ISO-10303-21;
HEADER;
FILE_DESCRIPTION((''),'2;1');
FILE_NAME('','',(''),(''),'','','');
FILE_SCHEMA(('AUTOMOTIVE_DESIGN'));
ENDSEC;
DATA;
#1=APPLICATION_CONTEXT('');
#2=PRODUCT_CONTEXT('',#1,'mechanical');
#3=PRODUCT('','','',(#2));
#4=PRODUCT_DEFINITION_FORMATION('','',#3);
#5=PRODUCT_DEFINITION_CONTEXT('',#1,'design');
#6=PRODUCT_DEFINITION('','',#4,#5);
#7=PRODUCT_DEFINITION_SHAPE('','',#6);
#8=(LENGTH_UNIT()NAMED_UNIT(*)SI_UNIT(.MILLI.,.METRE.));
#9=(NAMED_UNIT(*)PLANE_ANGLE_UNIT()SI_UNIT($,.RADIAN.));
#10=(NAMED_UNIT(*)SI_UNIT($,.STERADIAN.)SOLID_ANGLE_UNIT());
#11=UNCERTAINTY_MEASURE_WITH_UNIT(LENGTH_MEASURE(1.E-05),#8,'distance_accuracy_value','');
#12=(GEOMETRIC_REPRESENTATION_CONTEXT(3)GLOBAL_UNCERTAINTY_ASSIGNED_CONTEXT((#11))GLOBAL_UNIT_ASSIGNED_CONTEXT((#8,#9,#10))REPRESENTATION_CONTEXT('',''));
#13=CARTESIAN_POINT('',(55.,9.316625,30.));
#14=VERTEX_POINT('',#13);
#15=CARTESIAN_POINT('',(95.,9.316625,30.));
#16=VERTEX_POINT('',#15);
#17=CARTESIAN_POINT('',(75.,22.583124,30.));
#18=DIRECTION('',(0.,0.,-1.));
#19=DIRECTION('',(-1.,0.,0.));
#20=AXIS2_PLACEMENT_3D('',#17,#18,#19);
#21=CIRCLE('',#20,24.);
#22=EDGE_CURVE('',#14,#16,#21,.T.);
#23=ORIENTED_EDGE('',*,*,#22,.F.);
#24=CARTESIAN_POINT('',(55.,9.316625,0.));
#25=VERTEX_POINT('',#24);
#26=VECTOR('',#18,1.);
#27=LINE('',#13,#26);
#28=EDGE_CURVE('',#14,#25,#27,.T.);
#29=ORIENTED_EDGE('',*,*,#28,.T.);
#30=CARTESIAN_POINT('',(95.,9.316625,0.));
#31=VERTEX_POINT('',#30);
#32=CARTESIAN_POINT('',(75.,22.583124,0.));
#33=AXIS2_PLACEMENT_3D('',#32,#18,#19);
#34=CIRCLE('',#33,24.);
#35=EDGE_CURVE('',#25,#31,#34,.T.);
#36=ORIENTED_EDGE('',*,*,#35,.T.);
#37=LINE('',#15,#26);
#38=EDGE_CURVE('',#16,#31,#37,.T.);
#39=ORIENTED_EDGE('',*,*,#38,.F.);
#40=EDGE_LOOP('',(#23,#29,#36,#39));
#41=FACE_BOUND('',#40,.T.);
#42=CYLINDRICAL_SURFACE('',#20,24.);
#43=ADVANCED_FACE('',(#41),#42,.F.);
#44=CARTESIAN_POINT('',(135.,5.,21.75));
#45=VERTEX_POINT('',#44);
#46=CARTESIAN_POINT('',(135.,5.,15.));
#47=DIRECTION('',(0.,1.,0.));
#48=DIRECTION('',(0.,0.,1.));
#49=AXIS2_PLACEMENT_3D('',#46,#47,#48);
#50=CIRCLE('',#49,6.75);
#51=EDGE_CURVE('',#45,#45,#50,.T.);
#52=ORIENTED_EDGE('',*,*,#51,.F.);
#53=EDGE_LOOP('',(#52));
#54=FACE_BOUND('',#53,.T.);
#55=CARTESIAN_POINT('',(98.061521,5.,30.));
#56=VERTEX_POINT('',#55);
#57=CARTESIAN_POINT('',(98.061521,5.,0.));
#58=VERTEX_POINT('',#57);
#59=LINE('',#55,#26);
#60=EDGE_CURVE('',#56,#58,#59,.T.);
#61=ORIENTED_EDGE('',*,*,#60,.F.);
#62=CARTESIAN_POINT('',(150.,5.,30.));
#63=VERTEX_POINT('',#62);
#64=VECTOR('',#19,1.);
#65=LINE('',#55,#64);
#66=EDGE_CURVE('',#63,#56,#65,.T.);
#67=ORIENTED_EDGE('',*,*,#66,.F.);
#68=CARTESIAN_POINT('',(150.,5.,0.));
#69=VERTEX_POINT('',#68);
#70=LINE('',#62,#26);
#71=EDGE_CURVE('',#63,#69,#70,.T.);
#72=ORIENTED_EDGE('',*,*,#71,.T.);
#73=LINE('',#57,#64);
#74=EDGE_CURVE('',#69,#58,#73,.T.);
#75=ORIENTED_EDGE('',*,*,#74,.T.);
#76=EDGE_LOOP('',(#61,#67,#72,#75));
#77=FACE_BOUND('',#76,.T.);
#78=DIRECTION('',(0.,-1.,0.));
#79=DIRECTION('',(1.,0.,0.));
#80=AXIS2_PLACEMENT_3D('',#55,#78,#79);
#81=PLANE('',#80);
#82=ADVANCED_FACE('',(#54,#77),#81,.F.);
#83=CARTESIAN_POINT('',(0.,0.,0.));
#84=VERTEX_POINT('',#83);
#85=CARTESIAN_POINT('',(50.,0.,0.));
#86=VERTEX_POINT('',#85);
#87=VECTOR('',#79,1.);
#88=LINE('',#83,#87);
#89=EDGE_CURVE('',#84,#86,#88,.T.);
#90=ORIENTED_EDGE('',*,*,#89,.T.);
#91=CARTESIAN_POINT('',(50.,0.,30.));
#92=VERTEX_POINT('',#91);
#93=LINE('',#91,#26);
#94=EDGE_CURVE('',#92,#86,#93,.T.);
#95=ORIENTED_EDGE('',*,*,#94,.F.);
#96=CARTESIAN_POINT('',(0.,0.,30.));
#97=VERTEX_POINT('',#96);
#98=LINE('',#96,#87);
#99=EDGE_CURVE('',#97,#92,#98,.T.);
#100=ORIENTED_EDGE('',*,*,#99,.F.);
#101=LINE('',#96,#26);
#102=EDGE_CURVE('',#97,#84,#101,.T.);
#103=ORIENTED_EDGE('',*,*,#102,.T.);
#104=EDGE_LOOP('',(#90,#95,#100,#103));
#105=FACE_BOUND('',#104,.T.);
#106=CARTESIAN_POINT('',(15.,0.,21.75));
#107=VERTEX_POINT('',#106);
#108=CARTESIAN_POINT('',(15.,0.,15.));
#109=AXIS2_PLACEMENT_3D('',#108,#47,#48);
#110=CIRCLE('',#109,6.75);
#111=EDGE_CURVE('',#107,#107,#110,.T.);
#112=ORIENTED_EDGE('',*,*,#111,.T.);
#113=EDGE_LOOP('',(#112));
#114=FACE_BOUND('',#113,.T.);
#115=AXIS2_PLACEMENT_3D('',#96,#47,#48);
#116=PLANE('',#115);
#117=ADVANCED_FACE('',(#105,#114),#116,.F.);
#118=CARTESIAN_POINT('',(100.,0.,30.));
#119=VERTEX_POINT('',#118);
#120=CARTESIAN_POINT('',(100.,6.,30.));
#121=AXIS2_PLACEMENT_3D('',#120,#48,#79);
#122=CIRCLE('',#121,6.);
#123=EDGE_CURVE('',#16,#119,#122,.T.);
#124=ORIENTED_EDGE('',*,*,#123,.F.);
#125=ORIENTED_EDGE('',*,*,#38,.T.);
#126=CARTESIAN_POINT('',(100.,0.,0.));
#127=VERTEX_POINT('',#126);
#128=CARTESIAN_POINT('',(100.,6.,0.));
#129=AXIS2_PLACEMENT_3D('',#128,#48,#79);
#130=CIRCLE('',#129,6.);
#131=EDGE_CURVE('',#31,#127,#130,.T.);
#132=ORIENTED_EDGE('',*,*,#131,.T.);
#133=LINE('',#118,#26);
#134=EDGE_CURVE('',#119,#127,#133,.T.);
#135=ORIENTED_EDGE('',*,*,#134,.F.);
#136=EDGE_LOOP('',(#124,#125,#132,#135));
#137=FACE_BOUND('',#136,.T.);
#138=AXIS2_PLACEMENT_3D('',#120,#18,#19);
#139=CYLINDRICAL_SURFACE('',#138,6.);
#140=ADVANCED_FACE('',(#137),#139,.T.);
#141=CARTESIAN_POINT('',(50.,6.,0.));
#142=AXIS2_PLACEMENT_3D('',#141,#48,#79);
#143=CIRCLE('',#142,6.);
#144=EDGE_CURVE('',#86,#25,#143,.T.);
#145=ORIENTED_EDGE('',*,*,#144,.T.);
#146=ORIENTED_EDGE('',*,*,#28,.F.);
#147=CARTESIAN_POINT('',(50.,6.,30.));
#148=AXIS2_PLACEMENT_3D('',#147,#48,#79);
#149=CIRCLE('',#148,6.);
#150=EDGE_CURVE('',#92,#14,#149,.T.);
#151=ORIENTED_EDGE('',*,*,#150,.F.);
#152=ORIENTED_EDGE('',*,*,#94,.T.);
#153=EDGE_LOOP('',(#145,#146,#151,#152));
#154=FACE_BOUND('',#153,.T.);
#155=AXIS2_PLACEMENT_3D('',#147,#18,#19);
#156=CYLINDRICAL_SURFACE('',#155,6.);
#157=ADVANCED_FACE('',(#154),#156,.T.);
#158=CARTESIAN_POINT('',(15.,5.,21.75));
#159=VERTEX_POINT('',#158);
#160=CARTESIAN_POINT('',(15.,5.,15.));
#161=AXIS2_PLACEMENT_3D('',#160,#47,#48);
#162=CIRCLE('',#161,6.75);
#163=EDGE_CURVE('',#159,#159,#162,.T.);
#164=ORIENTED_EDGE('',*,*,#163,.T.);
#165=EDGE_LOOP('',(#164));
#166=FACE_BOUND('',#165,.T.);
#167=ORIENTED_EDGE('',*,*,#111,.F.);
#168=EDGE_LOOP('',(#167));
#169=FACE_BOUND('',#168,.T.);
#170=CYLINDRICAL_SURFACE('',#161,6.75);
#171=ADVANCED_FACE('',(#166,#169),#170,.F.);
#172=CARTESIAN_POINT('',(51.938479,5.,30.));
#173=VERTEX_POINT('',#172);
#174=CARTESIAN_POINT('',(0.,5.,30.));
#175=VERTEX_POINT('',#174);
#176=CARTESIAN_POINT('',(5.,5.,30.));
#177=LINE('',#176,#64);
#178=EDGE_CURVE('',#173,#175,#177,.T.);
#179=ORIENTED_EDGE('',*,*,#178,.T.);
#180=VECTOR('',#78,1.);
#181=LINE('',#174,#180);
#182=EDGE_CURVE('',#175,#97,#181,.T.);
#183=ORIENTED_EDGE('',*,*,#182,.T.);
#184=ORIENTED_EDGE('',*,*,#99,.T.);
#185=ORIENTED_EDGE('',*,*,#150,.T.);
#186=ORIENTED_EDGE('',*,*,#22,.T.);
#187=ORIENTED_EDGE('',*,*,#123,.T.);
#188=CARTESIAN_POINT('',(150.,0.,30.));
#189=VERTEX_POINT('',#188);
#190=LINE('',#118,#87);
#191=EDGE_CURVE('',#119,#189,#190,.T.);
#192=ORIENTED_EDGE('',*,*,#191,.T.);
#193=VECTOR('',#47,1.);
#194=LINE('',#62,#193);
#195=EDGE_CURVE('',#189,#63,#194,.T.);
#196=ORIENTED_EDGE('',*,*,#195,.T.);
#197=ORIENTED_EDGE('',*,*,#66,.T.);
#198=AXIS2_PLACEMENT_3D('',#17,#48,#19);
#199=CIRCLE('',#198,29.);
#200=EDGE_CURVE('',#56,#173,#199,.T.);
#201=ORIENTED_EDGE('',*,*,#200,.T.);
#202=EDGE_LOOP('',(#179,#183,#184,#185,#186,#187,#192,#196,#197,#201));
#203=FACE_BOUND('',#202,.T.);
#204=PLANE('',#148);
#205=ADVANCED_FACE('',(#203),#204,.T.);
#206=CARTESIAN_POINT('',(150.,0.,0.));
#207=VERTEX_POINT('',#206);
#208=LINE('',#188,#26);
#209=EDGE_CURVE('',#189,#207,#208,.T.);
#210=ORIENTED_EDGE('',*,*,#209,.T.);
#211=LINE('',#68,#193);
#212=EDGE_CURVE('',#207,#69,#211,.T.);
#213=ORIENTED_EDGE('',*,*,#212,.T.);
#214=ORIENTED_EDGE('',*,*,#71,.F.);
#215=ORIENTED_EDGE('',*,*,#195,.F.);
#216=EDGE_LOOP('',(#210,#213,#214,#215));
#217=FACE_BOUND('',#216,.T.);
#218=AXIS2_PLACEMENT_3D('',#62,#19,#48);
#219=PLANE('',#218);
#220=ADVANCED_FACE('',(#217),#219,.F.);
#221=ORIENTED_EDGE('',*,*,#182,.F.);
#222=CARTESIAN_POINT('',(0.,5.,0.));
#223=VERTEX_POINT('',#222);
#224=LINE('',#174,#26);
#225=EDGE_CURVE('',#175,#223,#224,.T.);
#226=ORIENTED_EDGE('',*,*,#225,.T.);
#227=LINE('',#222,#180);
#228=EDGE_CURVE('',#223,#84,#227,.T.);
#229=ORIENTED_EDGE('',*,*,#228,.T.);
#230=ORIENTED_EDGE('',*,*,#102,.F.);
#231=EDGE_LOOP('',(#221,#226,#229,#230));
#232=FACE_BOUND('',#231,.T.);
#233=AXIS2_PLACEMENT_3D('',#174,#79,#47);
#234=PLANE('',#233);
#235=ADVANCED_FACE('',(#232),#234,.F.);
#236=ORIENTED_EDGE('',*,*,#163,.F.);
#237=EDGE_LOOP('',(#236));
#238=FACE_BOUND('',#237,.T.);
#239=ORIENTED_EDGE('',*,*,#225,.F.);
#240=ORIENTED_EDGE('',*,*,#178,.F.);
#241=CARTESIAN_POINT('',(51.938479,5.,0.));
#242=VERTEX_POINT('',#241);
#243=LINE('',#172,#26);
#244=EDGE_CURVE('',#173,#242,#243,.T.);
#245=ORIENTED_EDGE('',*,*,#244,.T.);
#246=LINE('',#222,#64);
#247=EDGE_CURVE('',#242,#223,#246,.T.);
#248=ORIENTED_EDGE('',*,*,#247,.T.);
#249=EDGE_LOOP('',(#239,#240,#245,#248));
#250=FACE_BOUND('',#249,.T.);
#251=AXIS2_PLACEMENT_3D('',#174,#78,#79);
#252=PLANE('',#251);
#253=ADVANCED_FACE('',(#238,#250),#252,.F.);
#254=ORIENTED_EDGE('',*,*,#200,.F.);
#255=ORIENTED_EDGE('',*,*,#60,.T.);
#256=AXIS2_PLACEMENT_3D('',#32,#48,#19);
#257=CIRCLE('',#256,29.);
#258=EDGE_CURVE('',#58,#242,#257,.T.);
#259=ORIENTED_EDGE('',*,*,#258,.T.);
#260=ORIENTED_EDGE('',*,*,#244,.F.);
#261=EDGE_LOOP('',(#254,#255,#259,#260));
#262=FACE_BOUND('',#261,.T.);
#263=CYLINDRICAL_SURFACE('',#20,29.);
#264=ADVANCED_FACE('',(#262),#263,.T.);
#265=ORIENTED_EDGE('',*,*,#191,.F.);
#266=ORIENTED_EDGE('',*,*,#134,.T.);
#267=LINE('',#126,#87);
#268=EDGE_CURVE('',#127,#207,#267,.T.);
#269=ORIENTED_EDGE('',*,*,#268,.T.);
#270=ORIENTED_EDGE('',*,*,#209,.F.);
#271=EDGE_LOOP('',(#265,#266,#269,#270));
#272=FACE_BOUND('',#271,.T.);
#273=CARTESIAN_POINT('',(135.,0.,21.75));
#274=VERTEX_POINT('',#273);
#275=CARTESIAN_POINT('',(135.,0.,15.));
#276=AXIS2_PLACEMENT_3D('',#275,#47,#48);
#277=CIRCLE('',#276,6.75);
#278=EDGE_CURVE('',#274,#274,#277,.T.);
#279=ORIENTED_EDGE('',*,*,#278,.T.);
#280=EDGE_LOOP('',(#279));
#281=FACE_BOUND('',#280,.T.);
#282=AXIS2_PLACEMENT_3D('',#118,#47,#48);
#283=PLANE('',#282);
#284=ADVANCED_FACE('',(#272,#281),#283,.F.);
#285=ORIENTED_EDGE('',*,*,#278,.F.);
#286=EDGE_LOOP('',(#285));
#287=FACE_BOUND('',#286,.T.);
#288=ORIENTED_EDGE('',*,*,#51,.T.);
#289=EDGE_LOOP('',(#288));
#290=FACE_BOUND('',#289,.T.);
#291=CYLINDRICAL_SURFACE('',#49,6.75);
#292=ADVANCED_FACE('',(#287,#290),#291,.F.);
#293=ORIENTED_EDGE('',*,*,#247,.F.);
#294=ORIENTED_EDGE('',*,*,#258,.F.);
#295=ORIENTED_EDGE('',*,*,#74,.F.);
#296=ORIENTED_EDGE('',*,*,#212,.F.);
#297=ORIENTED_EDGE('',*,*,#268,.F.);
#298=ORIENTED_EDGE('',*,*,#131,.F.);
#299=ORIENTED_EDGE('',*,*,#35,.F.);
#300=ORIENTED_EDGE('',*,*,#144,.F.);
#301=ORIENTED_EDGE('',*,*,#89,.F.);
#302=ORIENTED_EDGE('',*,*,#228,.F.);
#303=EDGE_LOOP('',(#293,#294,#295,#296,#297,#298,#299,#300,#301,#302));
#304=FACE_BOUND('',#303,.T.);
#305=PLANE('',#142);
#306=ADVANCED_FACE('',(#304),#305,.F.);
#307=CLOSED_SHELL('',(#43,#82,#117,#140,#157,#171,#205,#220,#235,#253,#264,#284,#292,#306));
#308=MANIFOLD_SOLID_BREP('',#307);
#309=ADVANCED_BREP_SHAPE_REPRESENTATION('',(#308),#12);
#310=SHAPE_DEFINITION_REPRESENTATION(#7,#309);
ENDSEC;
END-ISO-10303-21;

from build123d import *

# Parameters (mm, degrees)
BOSS_EXTRUDE1_DEPTH   = 30
M12_CLEARANCE_HOLE2_D = 13.5


with BuildPart() as part:
    # Sketch1 → Boss-Extrude1 (new body)
    with BuildSketch(Plane.XY):
        with BuildLine():
            Line((0, 0), (50, 0))
            ThreePointArc((50, 0), (55.286764074, 3.162725669), (55, 9.31662479))
            ThreePointArc((55, 9.31662479), (75, 46.583123952), (95, 9.31662479))
            ThreePointArc((95, 9.31662479), (94.713235926, 3.162725669), (100, 0))
            Line((100, 0), (150, 0))
            Line((150, 0), (150, 5))
            Line((150, 5), (98.061521027, 5))
            ThreePointArc((98.061521027, 5), (75, 51.583123952), (51.938478973, 5))
            Line((51.938478973, 5), (5, 5))
            Line((5, 5), (0, 5))
            Line((0, 5), (0, 0))
        make_face()
    extrude(amount=BOSS_EXTRUDE1_DEPTH)

    # M12 Clearance Hole2 (through all)
    with Locations(Plane(origin=(0, 5, 0), x_dir=(1, 0, 0), z_dir=(0, 1, 0))):
        with Locations((15, -15), (135, -15)):
            Hole(M12_CLEARANCE_HOLE2_D / 2)


solid = part.part
